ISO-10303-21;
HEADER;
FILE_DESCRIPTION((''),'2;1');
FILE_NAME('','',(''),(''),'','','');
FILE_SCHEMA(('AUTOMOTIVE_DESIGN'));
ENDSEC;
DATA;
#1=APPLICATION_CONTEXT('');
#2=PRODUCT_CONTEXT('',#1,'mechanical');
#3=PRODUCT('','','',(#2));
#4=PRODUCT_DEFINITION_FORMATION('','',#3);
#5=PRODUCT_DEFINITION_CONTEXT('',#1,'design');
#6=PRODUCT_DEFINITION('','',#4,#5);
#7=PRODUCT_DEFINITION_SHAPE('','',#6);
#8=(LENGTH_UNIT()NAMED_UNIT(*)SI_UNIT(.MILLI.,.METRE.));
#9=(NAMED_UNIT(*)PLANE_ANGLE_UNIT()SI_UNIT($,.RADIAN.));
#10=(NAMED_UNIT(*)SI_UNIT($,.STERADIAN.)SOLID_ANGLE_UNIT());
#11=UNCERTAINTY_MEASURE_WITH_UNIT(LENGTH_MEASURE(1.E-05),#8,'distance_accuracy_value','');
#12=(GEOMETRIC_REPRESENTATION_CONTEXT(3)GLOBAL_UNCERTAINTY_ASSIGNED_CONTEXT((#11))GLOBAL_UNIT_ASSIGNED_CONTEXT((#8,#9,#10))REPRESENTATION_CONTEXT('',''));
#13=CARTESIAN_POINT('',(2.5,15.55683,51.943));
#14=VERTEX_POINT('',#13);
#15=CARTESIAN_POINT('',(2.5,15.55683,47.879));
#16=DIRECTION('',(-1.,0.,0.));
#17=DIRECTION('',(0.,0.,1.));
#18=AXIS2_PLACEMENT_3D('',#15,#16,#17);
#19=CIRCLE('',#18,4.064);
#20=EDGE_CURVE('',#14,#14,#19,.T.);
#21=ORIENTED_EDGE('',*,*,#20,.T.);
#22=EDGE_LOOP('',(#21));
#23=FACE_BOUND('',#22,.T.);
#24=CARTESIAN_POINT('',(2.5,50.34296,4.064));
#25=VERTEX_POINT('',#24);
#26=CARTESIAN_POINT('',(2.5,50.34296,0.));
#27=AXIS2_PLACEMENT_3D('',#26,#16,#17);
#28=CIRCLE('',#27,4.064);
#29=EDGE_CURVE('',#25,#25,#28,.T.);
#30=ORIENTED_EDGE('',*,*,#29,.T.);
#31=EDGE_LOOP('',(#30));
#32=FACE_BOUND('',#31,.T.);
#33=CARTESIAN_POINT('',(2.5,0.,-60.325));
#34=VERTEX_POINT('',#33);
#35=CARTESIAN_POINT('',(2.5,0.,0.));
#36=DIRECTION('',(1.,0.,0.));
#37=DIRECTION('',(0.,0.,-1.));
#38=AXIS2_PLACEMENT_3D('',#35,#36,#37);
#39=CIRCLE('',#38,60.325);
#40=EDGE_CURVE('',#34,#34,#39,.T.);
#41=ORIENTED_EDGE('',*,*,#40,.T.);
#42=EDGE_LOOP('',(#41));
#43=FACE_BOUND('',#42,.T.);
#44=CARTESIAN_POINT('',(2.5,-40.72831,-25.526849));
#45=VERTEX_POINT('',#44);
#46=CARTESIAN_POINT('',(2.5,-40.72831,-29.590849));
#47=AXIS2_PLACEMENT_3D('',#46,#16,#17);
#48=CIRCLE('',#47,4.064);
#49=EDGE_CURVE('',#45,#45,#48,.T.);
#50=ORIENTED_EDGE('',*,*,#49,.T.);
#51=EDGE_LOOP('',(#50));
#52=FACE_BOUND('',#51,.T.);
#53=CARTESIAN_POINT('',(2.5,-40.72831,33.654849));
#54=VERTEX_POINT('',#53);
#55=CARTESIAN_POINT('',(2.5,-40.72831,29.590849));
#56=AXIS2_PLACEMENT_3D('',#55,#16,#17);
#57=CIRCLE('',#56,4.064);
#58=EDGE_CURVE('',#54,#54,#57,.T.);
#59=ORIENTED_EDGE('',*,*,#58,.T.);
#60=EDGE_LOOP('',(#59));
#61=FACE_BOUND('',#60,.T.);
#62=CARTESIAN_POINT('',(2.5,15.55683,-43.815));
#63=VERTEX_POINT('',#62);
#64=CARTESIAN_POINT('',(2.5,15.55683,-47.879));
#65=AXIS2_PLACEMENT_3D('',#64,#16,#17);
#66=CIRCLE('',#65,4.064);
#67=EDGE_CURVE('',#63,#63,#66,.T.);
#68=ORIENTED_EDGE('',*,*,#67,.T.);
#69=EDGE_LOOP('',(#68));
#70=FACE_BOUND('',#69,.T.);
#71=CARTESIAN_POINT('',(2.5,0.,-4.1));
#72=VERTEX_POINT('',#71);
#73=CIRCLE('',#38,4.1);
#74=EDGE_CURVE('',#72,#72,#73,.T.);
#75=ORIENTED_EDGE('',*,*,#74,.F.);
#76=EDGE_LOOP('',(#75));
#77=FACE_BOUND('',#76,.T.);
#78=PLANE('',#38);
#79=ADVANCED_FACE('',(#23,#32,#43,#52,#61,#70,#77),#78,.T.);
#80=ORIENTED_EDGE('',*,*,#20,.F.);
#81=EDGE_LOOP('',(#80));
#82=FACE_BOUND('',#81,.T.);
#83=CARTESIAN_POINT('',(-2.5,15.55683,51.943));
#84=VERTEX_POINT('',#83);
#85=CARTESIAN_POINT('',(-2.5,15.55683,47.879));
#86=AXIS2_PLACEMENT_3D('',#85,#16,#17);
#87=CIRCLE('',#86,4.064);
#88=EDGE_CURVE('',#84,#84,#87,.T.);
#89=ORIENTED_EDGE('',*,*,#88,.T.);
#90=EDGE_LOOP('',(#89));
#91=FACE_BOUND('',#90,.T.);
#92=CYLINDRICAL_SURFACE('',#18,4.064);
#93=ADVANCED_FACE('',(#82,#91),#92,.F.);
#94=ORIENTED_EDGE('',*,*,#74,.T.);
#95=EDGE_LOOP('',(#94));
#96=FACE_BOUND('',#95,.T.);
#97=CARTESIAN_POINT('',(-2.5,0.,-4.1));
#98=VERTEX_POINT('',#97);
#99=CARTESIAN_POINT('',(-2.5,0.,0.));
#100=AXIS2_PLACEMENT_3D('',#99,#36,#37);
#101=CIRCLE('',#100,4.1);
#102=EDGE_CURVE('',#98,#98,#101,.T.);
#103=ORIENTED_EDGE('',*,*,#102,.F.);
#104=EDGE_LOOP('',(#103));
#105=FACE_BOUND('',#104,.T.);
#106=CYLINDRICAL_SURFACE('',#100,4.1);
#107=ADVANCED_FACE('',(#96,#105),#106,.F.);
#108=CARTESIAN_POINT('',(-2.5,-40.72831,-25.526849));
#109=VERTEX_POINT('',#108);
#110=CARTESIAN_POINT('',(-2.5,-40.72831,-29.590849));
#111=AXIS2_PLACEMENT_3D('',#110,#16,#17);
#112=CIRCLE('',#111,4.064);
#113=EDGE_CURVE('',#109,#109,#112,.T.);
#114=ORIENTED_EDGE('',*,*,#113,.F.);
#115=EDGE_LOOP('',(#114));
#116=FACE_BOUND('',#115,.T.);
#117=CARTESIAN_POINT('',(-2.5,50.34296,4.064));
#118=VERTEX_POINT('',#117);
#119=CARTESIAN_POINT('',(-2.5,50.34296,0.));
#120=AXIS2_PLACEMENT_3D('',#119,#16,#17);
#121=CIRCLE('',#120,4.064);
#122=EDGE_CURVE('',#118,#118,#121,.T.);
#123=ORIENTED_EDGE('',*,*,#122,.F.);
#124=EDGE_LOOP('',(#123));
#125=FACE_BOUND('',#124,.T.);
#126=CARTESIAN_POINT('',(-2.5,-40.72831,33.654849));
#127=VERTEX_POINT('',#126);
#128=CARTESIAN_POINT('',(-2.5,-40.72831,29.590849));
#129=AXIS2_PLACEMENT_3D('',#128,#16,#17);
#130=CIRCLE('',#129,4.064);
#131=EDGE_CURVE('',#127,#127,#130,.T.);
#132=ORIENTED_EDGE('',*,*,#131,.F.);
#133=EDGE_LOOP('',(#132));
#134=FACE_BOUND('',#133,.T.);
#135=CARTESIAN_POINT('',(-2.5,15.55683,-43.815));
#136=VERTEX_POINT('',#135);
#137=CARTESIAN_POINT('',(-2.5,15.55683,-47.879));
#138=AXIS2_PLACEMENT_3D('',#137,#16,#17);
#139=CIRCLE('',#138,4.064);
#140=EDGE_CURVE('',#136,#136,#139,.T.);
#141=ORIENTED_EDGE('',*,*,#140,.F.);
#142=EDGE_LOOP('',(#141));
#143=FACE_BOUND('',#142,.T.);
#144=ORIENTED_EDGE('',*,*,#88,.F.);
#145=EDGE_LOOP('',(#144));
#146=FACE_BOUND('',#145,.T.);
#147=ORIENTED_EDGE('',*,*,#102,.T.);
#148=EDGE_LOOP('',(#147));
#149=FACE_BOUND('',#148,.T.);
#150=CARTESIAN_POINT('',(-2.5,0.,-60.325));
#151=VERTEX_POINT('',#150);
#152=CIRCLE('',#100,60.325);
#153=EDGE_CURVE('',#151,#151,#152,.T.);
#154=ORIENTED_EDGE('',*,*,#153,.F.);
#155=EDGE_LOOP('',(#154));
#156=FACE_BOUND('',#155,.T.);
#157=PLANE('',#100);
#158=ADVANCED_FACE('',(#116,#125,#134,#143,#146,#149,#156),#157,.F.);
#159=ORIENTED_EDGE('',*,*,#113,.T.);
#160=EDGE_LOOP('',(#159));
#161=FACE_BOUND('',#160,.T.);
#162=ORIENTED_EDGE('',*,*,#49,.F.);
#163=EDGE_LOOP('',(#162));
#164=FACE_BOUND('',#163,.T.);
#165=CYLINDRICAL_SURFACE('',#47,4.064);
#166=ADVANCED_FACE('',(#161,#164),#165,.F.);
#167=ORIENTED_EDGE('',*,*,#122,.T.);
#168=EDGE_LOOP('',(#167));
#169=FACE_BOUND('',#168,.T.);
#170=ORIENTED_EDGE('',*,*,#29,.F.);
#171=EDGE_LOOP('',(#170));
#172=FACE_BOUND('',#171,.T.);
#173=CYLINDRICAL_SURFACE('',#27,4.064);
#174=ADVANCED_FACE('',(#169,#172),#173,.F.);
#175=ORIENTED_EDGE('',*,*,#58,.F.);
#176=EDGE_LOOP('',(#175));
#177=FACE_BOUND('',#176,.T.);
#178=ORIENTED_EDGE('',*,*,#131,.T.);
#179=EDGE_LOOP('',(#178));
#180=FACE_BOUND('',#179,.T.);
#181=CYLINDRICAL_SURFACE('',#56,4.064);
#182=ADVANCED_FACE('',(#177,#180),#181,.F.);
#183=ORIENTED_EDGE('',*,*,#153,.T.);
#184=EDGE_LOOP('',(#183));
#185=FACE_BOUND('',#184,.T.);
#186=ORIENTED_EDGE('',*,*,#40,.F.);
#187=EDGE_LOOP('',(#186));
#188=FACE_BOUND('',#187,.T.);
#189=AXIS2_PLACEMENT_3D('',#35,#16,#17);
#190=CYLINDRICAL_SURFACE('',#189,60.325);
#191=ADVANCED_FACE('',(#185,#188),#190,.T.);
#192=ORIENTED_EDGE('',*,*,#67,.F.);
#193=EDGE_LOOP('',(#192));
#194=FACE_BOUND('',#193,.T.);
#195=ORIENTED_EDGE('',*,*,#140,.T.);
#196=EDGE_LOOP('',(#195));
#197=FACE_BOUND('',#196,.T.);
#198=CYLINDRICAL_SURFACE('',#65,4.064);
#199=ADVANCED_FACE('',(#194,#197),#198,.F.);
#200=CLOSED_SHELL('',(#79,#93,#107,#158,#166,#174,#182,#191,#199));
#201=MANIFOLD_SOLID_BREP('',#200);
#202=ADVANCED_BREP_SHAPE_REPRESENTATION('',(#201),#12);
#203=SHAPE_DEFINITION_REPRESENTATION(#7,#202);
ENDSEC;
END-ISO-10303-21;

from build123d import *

# Parameters (mm, degrees)
SKETCH1_R           = 60.325
BOSS_EXTRUDE1_DEPTH = 2.5
SKETCH2_R           = 4.064
CUT_EXTRUDE1_DEPTH  = 86.458827806
SKETCH8_R           = 4.1
CUT_EXTRUDE4_DEPTH  = 86.458827806


with BuildPart() as part:
    # Sketch1 → Boss-Extrude1 (new, symmetric)
    with BuildSketch(Plane(origin=(0, 0, 0), x_dir=(0, 0, -1), z_dir=(1, 0, 0))):
        Circle(SKETCH1_R)
    extrude(amount=BOSS_EXTRUDE1_DEPTH, both=True)

    # Sketch2 → Cut-Extrude1 (cut, through all)
    with BuildSketch(Plane.ZY.offset(2.5)):
        with Locations((0, 50.342959834)):
            Circle(SKETCH2_R)
        with Locations((47.879, 15.556830136)):
            Circle(SKETCH2_R)
        with Locations((29.590849347, -40.728310053)):
            Circle(SKETCH2_R)
        with Locations((-29.590849347, -40.728310053)):
            Circle(SKETCH2_R)
        with Locations((-47.879, 15.556830136)):
            Circle(SKETCH2_R)
    extrude(amount=-CUT_EXTRUDE1_DEPTH, mode=Mode.SUBTRACT)

    # Sketch8 → Cut-Extrude4 (cut, through all)
    with BuildSketch(Plane(origin=(2.5, 0, 0), x_dir=(0, 0, -1), z_dir=(1, 0, 0))):
        Circle(SKETCH8_R)
    extrude(amount=-CUT_EXTRUDE4_DEPTH, mode=Mode.SUBTRACT)


solid = part.part
